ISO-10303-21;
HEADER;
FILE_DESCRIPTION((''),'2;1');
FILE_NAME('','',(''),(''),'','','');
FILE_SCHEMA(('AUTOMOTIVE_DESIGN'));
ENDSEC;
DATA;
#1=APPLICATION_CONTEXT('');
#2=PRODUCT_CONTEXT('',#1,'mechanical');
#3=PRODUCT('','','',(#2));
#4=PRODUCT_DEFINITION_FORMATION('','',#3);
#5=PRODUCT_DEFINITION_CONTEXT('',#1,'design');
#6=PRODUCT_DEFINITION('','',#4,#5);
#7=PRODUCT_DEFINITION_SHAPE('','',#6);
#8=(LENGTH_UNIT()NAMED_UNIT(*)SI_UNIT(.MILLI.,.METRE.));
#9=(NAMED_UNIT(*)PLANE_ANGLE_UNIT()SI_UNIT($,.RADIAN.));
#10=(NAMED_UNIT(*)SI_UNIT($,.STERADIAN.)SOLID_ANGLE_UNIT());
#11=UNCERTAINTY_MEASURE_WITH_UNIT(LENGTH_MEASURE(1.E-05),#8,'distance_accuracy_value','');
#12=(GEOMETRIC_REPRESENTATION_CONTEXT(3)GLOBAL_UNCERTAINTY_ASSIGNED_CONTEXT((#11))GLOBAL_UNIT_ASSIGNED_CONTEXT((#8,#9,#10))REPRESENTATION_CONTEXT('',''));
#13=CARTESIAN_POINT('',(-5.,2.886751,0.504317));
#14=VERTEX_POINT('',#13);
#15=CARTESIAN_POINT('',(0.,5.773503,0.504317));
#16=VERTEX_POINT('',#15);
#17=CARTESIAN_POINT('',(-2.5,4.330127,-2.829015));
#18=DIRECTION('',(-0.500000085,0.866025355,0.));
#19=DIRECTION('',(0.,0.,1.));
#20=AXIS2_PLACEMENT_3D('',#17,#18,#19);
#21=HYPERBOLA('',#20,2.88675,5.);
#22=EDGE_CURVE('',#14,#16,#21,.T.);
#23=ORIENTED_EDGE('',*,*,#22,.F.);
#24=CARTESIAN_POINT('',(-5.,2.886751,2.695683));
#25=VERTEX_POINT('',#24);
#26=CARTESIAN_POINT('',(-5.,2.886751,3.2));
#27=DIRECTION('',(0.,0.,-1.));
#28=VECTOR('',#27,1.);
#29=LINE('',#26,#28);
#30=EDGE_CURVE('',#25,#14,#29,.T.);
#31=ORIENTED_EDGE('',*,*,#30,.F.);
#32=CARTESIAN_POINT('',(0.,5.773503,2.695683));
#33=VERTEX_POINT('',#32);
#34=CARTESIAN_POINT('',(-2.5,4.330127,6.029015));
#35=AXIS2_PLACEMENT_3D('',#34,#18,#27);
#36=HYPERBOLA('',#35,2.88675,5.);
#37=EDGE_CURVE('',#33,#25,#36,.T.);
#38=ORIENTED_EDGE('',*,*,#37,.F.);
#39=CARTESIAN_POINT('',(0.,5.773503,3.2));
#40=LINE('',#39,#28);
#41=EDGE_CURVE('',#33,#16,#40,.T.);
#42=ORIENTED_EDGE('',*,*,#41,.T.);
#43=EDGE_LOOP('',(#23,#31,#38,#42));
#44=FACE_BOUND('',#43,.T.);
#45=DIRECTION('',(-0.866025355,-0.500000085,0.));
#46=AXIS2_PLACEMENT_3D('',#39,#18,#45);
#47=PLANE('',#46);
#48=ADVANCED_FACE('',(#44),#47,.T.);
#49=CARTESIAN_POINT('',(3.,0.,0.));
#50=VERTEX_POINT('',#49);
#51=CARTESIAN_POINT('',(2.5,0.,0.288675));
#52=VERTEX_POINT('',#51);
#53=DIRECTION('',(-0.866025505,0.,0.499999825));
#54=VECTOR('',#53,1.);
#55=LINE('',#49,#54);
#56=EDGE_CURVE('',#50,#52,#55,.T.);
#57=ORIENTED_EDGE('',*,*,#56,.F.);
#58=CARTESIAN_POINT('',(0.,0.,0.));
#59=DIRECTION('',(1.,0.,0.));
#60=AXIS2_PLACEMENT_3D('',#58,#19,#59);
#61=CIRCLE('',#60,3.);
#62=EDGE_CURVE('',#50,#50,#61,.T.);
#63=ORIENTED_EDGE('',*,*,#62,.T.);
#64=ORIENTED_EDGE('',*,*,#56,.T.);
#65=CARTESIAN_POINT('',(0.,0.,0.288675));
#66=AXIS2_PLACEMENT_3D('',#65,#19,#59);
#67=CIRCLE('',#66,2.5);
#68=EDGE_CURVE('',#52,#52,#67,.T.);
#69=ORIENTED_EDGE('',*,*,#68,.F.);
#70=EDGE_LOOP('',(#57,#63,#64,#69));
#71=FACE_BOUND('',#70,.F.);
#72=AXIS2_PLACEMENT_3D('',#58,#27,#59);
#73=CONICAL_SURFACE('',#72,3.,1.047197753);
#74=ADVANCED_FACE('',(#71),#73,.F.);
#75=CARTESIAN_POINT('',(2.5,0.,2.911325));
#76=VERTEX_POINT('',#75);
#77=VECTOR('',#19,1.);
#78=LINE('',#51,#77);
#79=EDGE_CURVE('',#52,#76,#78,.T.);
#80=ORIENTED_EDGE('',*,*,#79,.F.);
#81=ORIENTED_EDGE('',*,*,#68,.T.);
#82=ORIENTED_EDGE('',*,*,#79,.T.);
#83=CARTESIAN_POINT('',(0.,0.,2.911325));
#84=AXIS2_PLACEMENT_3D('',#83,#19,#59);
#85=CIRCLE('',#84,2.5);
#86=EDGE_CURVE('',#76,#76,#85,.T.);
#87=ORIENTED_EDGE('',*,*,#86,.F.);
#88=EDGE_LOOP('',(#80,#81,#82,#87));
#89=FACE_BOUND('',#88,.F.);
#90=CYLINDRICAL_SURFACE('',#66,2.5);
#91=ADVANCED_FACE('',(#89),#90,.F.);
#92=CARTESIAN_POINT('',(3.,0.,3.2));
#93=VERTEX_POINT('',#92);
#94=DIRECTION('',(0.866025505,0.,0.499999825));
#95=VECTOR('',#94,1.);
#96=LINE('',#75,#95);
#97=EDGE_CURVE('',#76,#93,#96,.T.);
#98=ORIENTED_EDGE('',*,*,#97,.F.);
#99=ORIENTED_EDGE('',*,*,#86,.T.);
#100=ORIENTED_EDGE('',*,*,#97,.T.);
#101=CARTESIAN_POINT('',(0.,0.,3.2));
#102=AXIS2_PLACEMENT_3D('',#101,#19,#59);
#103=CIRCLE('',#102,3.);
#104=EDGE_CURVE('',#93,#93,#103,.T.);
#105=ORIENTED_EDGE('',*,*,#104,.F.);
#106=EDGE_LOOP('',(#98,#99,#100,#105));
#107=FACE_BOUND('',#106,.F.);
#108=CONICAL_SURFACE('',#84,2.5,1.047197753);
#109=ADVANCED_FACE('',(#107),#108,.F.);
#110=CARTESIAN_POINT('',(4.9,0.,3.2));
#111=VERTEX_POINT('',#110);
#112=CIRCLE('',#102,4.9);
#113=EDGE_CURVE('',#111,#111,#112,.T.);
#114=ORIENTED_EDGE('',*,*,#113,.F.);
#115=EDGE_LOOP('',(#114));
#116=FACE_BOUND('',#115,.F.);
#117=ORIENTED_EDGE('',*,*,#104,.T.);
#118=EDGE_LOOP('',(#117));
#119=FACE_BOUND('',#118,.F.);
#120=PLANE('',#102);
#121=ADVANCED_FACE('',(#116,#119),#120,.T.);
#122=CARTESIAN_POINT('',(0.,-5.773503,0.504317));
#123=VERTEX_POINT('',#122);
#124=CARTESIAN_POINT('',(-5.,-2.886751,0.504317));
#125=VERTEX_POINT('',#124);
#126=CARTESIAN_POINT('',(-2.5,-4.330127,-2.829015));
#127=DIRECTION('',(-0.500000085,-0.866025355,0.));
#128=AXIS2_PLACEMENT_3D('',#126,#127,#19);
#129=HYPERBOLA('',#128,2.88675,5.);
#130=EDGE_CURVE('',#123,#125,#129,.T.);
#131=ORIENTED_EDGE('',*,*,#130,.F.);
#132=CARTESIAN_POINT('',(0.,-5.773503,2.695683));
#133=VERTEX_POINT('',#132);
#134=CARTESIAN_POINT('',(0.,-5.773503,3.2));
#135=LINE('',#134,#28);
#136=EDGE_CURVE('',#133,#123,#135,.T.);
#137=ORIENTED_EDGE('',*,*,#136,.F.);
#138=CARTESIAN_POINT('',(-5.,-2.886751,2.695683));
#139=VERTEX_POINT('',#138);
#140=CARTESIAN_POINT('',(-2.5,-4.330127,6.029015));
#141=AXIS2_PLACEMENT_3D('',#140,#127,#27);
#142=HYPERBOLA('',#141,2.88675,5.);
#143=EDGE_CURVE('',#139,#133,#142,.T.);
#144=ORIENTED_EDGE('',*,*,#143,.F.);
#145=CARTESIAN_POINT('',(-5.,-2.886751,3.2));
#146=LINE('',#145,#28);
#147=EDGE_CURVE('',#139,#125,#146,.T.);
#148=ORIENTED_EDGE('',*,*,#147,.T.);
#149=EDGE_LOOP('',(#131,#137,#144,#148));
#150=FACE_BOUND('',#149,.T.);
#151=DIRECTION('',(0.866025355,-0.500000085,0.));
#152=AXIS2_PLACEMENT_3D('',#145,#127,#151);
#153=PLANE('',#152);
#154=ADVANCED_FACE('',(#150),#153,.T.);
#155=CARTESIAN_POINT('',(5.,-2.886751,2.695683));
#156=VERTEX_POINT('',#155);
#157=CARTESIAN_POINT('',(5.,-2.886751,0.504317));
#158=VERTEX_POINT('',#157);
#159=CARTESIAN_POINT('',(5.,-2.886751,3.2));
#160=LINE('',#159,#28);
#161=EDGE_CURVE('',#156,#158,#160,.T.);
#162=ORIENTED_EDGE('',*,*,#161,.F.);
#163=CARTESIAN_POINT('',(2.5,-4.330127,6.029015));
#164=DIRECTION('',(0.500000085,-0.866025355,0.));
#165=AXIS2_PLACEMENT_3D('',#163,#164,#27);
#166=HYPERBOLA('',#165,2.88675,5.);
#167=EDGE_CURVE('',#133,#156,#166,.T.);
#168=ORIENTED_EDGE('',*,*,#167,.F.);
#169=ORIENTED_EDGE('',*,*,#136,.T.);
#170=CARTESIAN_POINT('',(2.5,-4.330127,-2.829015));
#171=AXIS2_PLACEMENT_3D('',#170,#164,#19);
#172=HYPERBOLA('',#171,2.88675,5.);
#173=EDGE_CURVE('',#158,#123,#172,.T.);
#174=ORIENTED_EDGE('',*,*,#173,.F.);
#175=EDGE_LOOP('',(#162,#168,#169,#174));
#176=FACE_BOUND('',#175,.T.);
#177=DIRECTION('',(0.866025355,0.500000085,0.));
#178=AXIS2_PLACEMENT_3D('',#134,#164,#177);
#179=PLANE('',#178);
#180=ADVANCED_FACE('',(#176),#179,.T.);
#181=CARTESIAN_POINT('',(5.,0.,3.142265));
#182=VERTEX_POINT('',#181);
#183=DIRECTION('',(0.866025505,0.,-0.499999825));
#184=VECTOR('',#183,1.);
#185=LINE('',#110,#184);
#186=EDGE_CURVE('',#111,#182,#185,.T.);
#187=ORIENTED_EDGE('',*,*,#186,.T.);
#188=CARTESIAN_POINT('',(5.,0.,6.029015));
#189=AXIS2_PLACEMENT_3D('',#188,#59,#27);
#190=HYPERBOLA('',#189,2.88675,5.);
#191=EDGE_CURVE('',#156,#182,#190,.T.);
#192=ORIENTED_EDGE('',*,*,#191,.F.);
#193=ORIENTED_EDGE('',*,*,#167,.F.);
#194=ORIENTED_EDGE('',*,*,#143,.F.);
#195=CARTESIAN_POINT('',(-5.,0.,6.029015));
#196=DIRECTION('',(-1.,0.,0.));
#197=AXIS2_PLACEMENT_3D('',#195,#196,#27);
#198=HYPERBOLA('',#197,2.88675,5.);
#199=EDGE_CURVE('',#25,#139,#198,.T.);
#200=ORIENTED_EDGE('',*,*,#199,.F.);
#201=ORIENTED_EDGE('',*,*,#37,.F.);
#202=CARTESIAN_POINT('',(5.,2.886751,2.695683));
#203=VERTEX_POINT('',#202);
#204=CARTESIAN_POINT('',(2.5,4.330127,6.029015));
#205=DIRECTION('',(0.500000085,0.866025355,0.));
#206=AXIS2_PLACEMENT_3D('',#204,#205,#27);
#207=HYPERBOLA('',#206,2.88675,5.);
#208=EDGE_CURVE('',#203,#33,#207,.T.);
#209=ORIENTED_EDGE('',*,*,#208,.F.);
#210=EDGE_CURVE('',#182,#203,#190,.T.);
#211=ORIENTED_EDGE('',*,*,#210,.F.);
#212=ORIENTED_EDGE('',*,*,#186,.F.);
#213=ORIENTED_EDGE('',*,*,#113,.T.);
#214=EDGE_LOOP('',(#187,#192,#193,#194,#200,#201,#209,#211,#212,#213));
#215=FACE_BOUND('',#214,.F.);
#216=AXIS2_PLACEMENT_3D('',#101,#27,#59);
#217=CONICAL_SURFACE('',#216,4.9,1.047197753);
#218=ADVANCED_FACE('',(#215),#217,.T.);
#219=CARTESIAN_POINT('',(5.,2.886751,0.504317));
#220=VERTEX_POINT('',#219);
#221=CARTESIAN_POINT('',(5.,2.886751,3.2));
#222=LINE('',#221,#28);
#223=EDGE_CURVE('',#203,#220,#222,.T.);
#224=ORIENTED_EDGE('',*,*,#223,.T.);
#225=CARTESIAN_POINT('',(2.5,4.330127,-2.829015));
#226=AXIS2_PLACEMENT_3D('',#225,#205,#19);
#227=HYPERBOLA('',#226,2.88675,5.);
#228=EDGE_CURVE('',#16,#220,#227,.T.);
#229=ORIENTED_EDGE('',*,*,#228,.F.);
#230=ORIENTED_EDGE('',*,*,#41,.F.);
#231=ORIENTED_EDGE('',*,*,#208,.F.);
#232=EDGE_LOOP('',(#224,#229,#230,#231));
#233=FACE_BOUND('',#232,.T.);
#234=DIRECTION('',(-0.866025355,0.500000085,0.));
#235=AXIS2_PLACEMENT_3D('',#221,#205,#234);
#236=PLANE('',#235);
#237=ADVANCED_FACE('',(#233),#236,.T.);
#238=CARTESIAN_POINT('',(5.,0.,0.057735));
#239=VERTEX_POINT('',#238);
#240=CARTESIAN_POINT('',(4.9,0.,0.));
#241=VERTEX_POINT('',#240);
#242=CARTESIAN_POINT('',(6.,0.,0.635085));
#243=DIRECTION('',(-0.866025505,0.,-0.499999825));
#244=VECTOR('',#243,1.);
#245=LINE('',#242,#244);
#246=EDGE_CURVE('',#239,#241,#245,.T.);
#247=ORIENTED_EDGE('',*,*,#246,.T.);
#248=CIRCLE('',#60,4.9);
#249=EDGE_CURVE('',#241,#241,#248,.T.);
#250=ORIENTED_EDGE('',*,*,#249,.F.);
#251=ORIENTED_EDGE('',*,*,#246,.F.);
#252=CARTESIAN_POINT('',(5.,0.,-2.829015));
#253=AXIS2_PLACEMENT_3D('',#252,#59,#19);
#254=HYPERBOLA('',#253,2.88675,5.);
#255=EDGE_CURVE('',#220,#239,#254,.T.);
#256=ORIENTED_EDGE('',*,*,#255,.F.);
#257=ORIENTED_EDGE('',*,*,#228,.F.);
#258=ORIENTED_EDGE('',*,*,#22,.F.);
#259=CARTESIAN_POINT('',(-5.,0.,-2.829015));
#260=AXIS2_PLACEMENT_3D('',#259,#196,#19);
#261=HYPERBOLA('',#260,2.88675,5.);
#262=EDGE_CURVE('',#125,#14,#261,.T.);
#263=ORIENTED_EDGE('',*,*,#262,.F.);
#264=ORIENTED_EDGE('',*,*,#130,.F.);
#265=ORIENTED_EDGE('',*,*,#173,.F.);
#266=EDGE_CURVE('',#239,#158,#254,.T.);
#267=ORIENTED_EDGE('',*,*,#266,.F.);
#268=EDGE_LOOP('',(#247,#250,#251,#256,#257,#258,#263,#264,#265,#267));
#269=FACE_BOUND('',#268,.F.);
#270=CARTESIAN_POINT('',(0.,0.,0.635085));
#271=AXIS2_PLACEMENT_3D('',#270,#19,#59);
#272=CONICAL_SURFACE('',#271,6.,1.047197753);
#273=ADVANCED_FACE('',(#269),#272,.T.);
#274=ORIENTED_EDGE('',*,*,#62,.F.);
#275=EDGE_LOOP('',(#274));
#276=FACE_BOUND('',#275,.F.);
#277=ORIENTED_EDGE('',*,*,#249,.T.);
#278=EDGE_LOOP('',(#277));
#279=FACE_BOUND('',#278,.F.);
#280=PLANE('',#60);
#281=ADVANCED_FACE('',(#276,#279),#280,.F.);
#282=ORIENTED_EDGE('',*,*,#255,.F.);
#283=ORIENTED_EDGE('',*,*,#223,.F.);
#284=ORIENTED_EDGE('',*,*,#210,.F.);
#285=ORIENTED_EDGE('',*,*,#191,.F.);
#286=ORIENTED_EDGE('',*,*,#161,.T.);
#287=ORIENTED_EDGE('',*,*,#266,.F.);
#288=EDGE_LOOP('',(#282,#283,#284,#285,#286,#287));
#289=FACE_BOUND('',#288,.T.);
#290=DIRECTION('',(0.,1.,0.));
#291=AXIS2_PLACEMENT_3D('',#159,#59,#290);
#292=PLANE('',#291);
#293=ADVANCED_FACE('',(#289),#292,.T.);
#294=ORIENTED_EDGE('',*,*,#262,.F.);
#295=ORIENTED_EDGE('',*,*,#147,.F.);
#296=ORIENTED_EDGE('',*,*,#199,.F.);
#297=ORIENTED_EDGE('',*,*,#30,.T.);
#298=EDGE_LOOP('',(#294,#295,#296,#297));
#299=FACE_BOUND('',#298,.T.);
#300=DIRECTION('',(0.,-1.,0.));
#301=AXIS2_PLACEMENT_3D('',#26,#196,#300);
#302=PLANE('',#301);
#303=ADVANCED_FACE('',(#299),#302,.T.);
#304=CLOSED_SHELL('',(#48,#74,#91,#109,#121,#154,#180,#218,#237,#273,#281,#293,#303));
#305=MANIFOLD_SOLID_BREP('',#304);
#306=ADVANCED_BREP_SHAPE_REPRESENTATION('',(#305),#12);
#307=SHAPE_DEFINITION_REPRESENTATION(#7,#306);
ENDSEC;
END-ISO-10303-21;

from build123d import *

# Parameters (mm, degrees)
SKETCH001_R  = 7
POCKET_DEPTH = 3.2


with BuildPart() as part:
    # Sketch → Revolution (revolve)
    with BuildSketch(Plane.XZ):
        Polygon((3, 0), (2.5, 0.288675), (2.5, 2.911325), (3, 3.2), (4.9, 3.2), (6, 2.564915), (6, 0.635085), (4.9, 0), align=None)
    revolve(axis=Axis((0, 0, 0), (0, 0, 1)))

    # Sketch001 → Pocket (cut)
    with BuildSketch(Plane(origin=(0, 0, 3.2), x_dir=(-1, 0, 0), z_dir=(0, 0, 1))):
        Circle(SKETCH001_R)
        Polygon((-5, 2.886751), (-5, -2.886751), (0, -5.773503), (5, -2.886751), (5, 2.886751), (0, 5.773503), align=None, mode=Mode.SUBTRACT)
    extrude(amount=-POCKET_DEPTH, mode=Mode.SUBTRACT)


solid = part.part
